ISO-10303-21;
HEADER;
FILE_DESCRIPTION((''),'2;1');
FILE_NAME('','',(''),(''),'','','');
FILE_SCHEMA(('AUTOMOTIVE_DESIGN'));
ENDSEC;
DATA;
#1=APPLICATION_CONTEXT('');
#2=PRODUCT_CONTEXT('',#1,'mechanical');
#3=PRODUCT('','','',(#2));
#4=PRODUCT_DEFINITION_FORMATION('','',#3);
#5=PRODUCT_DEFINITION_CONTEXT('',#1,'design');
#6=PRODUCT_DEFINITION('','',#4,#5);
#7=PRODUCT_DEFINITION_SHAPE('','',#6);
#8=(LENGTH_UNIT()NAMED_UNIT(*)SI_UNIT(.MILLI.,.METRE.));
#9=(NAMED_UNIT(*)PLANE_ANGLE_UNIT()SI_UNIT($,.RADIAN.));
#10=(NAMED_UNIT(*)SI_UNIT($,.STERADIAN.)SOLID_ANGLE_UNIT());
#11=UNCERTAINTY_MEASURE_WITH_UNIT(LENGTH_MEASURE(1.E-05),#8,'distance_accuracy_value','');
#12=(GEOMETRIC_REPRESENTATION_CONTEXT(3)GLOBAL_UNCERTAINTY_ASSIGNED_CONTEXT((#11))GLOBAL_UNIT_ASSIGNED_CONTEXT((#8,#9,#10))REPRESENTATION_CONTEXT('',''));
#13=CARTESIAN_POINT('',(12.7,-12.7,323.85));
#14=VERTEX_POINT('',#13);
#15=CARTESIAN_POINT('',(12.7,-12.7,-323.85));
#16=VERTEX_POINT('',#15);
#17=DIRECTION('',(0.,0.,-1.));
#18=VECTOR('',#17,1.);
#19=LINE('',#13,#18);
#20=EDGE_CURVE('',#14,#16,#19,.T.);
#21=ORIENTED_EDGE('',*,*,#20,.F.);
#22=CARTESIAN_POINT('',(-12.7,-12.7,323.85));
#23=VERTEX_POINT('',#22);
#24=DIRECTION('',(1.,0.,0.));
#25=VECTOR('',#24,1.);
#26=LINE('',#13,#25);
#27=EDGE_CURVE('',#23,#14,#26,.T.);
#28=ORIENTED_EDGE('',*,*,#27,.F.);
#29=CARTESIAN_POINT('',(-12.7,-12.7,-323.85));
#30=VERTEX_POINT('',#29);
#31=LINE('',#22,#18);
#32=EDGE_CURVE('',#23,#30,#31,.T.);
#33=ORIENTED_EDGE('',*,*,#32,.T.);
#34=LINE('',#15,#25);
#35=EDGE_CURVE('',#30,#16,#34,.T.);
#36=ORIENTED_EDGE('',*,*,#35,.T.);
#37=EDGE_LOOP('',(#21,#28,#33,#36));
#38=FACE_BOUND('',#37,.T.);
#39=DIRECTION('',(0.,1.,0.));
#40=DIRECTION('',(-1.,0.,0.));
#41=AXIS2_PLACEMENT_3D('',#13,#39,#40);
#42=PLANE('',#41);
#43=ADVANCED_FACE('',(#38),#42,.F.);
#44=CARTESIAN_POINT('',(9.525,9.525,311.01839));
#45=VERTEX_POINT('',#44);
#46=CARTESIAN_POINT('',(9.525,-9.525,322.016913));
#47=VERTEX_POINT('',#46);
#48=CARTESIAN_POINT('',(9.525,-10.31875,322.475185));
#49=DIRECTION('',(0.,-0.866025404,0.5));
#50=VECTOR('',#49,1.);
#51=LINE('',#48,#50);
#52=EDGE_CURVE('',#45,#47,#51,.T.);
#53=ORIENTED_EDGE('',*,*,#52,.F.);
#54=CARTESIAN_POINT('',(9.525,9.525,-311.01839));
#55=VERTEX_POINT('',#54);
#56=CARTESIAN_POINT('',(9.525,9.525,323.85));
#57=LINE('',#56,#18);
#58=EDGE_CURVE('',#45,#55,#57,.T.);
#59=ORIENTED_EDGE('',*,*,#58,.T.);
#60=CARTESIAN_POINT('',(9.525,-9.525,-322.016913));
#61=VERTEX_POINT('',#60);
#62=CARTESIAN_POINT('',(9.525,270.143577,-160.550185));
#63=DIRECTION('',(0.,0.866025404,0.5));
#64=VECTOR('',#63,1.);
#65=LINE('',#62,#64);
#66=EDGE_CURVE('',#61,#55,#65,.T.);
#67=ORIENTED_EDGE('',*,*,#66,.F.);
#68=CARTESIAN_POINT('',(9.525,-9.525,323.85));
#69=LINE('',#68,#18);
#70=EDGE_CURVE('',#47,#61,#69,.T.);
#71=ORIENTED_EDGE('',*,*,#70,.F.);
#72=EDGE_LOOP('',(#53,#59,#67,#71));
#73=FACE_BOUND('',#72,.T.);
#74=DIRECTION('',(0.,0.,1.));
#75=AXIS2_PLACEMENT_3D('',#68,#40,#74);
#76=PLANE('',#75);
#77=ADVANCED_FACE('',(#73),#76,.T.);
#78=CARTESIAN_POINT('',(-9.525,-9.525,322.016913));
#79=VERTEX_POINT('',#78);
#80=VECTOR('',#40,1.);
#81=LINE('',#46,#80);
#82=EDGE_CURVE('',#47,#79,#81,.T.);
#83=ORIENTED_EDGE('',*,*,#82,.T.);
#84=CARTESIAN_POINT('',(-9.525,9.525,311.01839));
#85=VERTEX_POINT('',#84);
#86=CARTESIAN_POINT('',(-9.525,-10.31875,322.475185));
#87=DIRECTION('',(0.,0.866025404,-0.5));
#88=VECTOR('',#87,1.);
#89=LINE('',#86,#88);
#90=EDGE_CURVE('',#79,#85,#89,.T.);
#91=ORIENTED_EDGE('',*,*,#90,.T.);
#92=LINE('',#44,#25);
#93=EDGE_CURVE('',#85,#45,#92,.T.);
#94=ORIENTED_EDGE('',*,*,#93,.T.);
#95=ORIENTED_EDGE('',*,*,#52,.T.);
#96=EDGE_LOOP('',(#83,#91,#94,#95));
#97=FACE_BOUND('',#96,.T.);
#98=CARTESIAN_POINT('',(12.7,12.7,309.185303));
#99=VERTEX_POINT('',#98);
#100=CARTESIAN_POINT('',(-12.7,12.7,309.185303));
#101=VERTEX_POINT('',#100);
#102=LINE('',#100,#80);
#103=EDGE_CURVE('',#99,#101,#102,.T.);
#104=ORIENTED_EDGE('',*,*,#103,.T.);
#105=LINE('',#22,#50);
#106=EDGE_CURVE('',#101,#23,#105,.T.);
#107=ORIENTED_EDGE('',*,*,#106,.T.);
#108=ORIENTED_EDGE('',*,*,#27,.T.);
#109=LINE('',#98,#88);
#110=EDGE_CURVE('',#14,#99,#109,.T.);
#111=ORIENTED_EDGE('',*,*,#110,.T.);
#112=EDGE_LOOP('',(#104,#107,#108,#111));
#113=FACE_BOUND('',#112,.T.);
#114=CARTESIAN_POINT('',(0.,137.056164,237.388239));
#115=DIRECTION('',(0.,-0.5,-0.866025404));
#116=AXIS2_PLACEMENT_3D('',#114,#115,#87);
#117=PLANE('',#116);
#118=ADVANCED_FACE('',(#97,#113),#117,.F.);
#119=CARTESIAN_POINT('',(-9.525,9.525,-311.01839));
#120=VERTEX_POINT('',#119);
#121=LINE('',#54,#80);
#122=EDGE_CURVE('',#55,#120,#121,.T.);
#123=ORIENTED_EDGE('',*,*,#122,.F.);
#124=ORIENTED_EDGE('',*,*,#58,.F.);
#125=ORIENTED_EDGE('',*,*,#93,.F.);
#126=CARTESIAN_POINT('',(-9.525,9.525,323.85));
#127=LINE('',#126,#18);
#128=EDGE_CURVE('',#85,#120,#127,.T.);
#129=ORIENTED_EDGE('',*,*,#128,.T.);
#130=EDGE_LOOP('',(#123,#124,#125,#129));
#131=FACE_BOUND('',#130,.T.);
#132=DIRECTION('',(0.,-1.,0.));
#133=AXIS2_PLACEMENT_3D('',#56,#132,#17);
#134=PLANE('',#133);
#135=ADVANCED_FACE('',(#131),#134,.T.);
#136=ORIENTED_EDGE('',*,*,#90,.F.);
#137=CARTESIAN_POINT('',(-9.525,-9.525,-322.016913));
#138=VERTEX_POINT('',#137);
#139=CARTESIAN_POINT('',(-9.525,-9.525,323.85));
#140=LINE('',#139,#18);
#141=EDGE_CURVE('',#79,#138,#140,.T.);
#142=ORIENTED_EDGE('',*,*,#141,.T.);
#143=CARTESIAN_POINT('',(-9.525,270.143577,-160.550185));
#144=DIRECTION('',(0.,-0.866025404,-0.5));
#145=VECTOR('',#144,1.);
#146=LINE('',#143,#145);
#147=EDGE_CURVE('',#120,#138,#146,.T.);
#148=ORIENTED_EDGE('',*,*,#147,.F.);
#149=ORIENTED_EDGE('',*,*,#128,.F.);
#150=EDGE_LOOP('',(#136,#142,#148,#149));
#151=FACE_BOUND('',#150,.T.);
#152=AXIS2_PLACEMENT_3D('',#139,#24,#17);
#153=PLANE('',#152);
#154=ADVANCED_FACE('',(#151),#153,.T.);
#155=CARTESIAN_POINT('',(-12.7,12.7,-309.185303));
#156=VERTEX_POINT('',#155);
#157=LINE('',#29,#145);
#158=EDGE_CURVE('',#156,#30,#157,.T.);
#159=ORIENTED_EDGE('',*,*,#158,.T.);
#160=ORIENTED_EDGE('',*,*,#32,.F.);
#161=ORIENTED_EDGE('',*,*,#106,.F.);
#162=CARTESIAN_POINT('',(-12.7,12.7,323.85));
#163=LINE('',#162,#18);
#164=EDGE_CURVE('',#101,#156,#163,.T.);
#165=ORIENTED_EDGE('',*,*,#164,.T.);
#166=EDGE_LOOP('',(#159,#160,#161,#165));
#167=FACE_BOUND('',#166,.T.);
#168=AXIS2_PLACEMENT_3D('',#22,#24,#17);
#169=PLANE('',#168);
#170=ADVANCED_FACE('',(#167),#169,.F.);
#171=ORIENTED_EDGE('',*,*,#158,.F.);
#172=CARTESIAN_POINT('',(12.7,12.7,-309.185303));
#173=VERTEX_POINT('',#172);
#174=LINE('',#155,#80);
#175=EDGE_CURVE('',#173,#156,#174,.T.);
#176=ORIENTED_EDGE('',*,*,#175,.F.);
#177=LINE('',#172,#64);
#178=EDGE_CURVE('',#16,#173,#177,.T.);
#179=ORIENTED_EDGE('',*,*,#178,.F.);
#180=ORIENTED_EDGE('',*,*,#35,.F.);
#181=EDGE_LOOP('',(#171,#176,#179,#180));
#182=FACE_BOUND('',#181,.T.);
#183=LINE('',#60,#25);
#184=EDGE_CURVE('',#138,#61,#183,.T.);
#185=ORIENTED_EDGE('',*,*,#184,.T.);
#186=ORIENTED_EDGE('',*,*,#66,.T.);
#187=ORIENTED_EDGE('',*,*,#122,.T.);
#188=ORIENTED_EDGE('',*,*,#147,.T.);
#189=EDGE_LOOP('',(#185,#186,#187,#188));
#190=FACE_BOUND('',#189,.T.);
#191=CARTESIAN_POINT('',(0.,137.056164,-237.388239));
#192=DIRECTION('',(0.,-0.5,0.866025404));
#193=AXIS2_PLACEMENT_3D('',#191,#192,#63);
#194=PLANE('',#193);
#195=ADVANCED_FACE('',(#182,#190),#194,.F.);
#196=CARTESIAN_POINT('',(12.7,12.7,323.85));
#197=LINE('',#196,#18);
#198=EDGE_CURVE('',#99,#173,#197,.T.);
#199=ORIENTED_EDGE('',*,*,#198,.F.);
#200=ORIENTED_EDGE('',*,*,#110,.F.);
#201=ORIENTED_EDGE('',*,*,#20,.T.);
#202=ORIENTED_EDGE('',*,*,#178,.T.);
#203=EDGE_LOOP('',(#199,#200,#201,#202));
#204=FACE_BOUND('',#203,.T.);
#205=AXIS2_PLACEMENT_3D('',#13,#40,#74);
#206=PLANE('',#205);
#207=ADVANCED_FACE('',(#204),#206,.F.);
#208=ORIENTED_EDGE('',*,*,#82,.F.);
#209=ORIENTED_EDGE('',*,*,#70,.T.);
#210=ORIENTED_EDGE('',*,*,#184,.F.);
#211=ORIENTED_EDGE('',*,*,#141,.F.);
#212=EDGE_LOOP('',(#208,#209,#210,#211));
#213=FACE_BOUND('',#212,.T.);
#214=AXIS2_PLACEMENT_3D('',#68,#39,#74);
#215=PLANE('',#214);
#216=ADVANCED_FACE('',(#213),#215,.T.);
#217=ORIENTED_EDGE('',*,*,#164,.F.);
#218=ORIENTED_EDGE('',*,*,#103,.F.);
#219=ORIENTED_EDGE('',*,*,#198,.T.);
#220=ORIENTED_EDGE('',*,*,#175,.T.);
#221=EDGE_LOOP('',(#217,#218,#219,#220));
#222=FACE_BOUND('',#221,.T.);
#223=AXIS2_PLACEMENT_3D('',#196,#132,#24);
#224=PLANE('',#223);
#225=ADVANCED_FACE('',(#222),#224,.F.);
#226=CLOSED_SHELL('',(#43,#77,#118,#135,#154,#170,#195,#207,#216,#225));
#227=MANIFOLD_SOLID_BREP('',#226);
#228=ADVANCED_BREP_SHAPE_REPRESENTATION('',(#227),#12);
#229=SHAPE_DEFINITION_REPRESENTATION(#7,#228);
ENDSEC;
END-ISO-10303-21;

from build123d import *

# Parameters (mm, degrees)
SKETCH1_W           = 25.4
SKETCH1_H           = 25.4
SKETCH1_W_2         = 19.05
SKETCH1_H_2         = 19.05
BOSS_EXTRUDE1_DEPTH = 323.85
SKETCH2_W           = 25.4
SKETCH2_H           = 29.329393675
CUT_EXTRUDE1_DEPTH  = 281.965076789


with BuildPart() as part:
    # Sketch1 → Boss-Extrude1 (new body)
    with BuildSketch(Plane.XY):
        Rectangle(SKETCH1_W, SKETCH1_H)
        Rectangle(SKETCH1_W_2, SKETCH1_H_2, mode=Mode.SUBTRACT)
    boss_extrude1 = extrude(amount=BOSS_EXTRUDE1_DEPTH)

    # Sketch2 → Cut-Extrude1 (cut, through all)
    with BuildSketch(Plane(origin=(0, 137.056163508, 237.388238686), x_dir=(1, 0, 0), z_dir=(0, 0.4999999999999889, 0.866025403784445))):
        with Locations((0, -158.25882579)):
            Rectangle(SKETCH2_W, SKETCH2_H)
    cut_extrude1 = extrude(amount=CUT_EXTRUDE1_DEPTH, mode=Mode.SUBTRACT)

    # Mirror2: Boss-Extrude1, Cut-Extrude1 across plane
    add(boss_extrude1.mirror(Plane.XY))
    add(cut_extrude1.mirror(Plane.XY), mode=Mode.SUBTRACT)


solid = part.part
